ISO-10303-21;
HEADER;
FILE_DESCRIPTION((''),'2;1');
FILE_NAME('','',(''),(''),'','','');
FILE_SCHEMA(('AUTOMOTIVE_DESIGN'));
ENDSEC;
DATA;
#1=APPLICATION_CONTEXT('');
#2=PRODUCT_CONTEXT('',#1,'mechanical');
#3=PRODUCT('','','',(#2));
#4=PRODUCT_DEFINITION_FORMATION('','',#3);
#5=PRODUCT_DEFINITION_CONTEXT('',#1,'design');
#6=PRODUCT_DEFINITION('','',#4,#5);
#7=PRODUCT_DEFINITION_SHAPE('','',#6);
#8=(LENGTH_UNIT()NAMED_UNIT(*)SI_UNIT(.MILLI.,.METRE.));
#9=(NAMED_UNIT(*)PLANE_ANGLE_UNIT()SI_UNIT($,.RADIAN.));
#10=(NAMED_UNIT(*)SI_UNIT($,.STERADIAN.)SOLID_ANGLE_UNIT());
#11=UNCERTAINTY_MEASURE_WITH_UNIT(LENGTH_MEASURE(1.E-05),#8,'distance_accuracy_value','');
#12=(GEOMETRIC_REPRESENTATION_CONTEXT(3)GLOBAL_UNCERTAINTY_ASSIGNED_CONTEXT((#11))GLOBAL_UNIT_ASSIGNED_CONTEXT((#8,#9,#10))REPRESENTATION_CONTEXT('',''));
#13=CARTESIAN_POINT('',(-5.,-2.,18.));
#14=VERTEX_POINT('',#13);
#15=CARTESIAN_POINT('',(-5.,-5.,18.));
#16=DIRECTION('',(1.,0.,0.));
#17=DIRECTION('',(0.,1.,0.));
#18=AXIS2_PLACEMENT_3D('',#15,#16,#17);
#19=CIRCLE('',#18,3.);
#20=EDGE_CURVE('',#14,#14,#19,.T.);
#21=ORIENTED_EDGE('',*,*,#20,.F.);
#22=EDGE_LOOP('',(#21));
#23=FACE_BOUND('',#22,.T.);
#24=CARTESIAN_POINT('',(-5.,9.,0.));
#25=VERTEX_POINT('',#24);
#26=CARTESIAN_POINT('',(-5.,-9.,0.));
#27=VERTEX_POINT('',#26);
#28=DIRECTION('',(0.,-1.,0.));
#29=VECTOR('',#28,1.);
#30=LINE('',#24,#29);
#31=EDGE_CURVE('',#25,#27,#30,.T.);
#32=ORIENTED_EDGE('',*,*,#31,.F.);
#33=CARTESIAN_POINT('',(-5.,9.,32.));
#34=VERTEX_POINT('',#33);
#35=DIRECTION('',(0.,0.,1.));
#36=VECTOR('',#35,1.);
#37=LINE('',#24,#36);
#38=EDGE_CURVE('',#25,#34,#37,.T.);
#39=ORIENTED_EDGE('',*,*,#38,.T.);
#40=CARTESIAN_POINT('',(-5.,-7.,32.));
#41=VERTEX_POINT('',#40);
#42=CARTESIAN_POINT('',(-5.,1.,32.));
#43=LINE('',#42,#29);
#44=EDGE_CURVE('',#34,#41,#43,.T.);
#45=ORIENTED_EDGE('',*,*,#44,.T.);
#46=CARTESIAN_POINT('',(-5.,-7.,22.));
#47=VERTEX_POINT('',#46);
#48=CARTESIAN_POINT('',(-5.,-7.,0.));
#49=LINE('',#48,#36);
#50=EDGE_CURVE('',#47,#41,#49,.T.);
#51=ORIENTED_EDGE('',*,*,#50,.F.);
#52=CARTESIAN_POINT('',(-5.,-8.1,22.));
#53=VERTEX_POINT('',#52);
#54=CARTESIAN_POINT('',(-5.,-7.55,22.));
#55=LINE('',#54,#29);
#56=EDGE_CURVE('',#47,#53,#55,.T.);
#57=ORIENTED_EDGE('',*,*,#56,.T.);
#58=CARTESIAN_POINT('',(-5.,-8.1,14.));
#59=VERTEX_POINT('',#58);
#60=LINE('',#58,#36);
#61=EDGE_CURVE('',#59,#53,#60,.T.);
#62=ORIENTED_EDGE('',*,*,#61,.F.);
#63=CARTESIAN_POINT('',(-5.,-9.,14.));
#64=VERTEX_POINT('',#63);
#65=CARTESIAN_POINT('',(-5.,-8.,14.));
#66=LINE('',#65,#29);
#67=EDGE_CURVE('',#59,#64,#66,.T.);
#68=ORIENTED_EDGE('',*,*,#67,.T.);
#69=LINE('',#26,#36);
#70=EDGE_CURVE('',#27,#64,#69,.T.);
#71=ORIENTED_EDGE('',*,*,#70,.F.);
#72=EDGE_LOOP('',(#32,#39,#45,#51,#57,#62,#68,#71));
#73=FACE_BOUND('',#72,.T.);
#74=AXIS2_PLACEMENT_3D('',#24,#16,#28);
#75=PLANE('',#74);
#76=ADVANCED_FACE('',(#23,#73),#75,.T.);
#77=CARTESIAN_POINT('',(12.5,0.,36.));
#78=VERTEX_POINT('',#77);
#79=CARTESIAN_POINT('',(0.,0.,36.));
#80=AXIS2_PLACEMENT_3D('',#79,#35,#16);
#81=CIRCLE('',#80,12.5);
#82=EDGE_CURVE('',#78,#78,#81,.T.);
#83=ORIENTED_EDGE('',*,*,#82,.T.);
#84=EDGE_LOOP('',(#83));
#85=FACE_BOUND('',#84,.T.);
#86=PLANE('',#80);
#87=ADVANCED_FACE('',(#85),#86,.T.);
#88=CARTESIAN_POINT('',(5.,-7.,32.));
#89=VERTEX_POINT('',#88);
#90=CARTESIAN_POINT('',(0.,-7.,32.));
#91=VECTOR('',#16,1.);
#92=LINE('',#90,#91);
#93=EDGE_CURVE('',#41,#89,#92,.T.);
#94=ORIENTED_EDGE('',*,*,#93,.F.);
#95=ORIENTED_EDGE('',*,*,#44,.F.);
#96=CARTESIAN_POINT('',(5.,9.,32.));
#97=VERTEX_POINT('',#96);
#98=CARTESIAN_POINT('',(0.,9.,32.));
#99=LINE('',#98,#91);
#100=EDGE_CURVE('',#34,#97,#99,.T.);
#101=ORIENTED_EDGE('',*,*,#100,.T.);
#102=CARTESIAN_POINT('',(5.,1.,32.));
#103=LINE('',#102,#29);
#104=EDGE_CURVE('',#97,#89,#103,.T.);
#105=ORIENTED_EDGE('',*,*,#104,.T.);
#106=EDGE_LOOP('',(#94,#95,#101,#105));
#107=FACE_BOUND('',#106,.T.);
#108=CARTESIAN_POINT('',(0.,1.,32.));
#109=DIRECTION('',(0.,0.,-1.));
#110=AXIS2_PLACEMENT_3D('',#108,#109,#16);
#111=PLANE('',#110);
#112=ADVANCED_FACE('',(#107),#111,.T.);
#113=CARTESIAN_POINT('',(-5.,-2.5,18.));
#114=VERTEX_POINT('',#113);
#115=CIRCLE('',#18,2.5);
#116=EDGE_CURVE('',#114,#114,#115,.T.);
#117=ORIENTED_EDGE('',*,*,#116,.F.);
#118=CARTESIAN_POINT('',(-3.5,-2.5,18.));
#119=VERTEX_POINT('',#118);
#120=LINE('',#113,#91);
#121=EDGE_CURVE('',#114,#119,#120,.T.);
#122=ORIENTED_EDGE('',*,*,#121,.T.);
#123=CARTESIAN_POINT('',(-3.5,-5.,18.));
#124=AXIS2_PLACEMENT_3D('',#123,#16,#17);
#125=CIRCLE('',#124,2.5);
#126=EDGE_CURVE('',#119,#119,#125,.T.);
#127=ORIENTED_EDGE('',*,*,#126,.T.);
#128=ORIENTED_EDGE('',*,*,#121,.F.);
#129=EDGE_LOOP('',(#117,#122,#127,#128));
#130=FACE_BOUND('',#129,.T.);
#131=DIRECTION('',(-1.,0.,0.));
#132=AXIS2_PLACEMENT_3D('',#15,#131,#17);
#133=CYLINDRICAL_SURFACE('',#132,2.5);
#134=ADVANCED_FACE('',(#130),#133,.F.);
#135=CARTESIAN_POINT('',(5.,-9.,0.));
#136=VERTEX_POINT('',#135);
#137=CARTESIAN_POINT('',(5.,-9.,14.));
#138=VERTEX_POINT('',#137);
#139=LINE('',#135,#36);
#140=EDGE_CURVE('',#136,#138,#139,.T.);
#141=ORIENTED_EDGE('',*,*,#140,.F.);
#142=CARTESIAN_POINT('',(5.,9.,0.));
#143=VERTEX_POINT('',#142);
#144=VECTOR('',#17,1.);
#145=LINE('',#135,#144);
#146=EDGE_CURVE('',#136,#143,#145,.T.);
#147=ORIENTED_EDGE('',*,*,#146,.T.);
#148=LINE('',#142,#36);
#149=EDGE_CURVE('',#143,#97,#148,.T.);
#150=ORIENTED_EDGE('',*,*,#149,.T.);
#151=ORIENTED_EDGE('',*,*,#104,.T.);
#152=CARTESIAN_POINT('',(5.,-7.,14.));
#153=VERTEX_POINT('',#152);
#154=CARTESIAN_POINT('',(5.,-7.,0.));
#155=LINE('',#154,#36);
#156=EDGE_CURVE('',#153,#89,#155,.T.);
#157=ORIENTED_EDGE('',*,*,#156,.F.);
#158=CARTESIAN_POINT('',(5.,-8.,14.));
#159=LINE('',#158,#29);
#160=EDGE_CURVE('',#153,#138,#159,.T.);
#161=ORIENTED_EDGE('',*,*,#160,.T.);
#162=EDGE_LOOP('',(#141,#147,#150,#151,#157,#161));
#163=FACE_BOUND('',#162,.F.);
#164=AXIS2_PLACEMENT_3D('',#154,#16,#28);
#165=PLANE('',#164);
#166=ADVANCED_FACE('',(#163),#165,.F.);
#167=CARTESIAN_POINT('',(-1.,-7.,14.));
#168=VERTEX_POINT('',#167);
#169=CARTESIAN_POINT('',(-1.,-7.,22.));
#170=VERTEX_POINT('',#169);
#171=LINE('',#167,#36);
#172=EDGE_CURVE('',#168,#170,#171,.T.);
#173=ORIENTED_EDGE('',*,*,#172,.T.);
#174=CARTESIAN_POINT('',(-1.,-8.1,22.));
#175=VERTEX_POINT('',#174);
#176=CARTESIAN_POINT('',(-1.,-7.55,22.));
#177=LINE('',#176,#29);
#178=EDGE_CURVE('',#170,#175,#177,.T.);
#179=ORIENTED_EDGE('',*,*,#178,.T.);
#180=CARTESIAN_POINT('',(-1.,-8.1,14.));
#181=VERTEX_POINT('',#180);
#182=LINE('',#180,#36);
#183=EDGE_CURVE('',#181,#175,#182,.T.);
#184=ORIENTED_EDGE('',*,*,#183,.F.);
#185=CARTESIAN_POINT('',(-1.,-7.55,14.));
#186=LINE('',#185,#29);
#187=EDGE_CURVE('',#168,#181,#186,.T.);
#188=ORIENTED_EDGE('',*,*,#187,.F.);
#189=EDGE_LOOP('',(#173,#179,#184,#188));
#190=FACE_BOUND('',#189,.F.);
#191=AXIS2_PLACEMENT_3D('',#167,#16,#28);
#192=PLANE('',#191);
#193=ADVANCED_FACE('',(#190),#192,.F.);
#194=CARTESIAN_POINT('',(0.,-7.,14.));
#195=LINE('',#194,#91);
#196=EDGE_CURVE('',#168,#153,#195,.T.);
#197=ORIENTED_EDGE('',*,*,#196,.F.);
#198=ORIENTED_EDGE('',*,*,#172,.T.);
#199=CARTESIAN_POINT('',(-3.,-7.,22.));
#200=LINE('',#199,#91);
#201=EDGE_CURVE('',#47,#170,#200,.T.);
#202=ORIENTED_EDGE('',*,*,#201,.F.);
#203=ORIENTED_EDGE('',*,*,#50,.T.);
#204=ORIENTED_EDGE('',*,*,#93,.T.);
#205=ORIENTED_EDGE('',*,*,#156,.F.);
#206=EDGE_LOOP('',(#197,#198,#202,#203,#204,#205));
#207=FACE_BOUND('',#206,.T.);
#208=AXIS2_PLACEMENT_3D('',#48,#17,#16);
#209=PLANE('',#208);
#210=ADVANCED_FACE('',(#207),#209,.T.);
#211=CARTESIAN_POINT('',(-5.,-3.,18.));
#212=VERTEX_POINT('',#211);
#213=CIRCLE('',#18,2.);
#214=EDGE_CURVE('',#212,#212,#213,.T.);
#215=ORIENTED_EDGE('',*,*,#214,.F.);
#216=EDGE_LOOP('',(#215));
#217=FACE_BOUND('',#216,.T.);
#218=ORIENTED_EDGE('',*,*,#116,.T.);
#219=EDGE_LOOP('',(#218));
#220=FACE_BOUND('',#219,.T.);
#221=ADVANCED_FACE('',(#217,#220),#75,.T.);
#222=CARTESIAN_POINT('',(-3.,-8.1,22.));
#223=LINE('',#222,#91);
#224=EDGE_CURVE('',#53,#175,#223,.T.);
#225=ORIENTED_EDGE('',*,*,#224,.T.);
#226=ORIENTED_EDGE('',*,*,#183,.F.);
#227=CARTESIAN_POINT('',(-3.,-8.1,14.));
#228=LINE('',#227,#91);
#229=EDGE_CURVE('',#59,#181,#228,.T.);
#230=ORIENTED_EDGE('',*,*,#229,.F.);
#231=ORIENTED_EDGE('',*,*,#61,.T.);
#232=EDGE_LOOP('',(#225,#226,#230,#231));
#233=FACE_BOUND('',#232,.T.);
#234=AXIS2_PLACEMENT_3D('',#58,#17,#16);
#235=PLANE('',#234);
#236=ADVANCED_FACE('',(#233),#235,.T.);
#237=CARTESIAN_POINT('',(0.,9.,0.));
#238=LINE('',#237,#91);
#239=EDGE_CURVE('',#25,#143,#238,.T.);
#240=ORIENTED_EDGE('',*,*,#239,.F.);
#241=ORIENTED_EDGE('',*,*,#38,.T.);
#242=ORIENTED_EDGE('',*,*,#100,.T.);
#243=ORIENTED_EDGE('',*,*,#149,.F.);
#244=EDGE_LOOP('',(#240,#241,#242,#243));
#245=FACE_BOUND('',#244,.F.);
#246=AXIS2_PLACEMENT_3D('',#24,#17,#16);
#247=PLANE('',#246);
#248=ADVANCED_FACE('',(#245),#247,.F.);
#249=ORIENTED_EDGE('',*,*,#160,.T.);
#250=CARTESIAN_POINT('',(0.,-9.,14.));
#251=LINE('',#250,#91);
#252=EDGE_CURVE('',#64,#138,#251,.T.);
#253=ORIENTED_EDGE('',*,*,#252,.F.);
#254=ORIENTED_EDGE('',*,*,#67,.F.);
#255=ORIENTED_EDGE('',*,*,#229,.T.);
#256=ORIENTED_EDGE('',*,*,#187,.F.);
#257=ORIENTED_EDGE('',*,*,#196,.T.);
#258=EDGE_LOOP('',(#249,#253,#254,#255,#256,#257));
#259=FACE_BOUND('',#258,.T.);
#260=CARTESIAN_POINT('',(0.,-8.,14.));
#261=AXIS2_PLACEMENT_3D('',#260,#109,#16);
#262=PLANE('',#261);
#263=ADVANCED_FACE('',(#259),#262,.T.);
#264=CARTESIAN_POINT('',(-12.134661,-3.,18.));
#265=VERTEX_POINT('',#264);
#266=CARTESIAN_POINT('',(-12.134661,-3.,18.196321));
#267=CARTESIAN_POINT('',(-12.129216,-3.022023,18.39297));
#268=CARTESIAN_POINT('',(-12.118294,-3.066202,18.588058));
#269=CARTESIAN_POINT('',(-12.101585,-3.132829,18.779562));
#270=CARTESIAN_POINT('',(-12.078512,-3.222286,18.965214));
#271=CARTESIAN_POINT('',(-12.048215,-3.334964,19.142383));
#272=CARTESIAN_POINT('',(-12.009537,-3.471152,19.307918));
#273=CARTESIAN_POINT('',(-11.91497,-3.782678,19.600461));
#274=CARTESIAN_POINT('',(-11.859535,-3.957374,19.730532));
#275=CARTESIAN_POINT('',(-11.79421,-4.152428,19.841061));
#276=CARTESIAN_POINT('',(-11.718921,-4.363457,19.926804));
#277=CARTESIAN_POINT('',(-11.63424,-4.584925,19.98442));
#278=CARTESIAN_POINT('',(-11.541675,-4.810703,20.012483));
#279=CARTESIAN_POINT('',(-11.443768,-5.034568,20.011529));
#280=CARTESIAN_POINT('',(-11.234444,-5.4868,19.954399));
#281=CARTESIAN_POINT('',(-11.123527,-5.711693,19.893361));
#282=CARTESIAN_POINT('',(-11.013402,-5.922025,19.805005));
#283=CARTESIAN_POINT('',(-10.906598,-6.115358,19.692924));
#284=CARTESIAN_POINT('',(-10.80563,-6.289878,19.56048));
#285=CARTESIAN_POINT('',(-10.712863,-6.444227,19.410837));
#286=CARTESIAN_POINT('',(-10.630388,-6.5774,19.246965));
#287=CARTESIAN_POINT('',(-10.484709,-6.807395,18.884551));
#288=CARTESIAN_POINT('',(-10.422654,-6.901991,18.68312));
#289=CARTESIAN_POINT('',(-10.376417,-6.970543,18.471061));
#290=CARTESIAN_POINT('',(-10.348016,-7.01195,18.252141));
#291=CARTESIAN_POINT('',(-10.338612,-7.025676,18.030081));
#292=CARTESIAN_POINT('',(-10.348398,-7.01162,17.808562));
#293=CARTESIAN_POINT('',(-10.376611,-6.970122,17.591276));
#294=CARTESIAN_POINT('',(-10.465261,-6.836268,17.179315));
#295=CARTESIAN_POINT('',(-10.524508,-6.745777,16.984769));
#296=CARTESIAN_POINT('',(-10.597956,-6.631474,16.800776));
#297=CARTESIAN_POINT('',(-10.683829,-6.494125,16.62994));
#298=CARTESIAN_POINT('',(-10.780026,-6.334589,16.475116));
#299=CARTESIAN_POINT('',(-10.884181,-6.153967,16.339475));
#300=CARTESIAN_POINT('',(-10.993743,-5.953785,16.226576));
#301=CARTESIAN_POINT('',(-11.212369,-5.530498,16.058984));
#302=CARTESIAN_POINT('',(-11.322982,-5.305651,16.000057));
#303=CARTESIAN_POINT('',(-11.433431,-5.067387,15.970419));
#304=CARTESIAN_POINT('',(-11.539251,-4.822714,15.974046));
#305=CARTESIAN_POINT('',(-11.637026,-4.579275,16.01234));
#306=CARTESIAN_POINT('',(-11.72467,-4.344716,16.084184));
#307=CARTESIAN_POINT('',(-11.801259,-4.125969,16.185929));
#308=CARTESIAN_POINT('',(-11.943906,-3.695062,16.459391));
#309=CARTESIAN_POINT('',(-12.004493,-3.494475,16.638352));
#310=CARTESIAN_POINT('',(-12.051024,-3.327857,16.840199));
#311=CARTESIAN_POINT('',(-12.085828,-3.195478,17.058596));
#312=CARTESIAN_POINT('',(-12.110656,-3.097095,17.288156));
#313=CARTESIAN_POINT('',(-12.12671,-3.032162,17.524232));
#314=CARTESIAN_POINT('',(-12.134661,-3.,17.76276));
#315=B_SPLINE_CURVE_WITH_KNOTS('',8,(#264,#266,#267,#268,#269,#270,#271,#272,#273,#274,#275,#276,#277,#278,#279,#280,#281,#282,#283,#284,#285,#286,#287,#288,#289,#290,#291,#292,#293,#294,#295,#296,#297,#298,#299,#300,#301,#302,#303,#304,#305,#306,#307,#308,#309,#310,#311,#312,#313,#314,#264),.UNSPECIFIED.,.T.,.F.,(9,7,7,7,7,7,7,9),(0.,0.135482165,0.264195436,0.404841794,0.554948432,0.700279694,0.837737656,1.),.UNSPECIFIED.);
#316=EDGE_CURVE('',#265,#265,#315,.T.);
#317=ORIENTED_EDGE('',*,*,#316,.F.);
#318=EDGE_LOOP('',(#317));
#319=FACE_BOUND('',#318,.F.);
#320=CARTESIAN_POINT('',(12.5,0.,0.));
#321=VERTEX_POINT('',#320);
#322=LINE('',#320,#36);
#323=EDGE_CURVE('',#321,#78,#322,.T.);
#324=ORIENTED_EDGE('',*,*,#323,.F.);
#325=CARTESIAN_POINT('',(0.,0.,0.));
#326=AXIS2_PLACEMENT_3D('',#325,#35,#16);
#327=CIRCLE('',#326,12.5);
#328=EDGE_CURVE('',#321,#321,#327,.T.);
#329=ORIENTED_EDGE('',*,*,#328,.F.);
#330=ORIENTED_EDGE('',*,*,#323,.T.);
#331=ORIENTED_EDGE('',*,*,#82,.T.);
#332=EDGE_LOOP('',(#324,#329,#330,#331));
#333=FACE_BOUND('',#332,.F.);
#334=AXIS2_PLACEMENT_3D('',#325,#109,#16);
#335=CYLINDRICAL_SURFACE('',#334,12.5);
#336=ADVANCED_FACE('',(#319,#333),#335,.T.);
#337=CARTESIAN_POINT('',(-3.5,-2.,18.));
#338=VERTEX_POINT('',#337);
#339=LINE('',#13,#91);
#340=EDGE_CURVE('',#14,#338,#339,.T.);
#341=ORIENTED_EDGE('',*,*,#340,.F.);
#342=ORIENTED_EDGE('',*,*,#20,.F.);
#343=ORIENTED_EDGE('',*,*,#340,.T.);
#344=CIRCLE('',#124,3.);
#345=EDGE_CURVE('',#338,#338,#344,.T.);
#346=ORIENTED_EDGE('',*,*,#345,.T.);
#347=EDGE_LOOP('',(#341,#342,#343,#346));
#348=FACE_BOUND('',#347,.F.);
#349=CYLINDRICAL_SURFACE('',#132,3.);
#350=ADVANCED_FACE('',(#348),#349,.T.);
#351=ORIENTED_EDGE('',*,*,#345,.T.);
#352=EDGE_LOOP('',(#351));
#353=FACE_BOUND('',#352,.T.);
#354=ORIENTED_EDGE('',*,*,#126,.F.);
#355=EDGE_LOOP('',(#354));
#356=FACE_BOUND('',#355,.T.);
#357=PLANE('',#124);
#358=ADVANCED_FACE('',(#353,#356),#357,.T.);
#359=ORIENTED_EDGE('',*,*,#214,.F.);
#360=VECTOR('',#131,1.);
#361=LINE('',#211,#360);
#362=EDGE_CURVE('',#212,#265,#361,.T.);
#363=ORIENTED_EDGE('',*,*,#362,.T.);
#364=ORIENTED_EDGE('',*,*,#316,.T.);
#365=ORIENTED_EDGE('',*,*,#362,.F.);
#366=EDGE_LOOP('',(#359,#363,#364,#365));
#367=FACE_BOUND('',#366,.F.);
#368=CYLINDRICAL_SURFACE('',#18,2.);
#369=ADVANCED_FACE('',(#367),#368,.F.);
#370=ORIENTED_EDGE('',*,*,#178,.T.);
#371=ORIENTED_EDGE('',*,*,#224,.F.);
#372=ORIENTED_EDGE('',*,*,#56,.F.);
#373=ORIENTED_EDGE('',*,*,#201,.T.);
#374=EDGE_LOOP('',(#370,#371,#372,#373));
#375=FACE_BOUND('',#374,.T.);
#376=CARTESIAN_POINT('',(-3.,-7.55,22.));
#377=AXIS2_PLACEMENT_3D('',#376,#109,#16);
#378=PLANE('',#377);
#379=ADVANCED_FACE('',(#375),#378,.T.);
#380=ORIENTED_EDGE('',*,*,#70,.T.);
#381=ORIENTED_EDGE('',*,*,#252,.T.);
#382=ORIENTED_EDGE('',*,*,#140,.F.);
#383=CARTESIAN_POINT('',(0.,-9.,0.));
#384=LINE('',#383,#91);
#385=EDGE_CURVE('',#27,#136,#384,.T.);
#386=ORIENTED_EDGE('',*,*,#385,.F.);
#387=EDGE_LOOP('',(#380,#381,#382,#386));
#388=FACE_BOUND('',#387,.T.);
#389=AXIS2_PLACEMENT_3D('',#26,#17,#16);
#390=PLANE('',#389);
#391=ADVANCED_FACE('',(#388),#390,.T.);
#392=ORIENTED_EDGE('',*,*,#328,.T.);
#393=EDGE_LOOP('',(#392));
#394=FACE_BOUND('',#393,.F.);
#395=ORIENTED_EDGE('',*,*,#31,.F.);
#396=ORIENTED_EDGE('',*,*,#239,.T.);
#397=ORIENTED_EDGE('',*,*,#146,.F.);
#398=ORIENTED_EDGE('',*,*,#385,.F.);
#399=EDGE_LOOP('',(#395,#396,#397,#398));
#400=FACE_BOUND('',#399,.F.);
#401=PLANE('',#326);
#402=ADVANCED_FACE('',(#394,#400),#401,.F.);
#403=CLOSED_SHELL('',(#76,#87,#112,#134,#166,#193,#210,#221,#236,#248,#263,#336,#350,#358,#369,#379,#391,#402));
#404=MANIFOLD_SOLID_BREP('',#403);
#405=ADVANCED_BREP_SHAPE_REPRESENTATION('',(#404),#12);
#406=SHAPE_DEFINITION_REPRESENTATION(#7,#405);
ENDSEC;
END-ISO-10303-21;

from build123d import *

# Parameters (mm, degrees)
F0_R      = 12.5
F1_DEPTH  = 36
F2_W      = 10
F2_H      = 16
F3_DEPTH  = 32
F4_W      = 10
F4_H      = 2
F5_DEPTH  = 14
F7_D      = 4
F7_DEPTH  = 7.501
F9_W      = 4
F9_H      = 1.1
F10_DEPTH = 8
F8_R      = 3
F8_R_2    = 2.5
F11_DEPTH = 1.5


with BuildPart() as f1:
    # F0 (on Top) → F1 (new body)
    with BuildSketch(Plane.XY):
        Circle(F0_R)
    extrude(amount=F1_DEPTH)

    # F2 (on face) → F3 (cut)
    with BuildSketch(Plane(origin=(0, 0, 0), x_dir=(1, 0, 0), z_dir=(0, 0, -1))):
        with Locations((0, -1)):
            Rectangle(F2_W, F2_H)
    extrude(amount=-F3_DEPTH, mode=Mode.SUBTRACT)

    # F4 (on face) → F5 (cut)
    with BuildSketch(Plane(origin=(0, 0, 0), x_dir=(1, 0, 0), z_dir=(0, 0, -1))):
        with Locations((0, 8)):
            Rectangle(F4_W, F4_H)
    extrude(amount=-F5_DEPTH, mode=Mode.SUBTRACT)

    # F7 (through all, one way)
    with BuildSketch(Plane.YZ.offset(-5)):
        with Locations((-5, 18)):
            Circle(F7_D / 2)
    extrude(amount=-F7_DEPTH, mode=Mode.SUBTRACT)

    # F9 (on face) → F10 (cut)
    with BuildSketch(Plane(origin=(0, 0, 14), x_dir=(1, 0, 0), z_dir=(0, 0, -1))):
        with Locations((-3, 7.55)):
            Rectangle(F9_W, F9_H)
    extrude(amount=-F10_DEPTH, mode=Mode.SUBTRACT)

    # F8 (on face) → F11 (join)
    with BuildSketch(Plane.YZ.offset(-5)):
        with Locations((-5, 18)):
            Circle(F8_R)
        with Locations((-5, 18)):
            Circle(F8_R_2, mode=Mode.SUBTRACT)
    extrude(amount=F11_DEPTH)


solid = f1.part
